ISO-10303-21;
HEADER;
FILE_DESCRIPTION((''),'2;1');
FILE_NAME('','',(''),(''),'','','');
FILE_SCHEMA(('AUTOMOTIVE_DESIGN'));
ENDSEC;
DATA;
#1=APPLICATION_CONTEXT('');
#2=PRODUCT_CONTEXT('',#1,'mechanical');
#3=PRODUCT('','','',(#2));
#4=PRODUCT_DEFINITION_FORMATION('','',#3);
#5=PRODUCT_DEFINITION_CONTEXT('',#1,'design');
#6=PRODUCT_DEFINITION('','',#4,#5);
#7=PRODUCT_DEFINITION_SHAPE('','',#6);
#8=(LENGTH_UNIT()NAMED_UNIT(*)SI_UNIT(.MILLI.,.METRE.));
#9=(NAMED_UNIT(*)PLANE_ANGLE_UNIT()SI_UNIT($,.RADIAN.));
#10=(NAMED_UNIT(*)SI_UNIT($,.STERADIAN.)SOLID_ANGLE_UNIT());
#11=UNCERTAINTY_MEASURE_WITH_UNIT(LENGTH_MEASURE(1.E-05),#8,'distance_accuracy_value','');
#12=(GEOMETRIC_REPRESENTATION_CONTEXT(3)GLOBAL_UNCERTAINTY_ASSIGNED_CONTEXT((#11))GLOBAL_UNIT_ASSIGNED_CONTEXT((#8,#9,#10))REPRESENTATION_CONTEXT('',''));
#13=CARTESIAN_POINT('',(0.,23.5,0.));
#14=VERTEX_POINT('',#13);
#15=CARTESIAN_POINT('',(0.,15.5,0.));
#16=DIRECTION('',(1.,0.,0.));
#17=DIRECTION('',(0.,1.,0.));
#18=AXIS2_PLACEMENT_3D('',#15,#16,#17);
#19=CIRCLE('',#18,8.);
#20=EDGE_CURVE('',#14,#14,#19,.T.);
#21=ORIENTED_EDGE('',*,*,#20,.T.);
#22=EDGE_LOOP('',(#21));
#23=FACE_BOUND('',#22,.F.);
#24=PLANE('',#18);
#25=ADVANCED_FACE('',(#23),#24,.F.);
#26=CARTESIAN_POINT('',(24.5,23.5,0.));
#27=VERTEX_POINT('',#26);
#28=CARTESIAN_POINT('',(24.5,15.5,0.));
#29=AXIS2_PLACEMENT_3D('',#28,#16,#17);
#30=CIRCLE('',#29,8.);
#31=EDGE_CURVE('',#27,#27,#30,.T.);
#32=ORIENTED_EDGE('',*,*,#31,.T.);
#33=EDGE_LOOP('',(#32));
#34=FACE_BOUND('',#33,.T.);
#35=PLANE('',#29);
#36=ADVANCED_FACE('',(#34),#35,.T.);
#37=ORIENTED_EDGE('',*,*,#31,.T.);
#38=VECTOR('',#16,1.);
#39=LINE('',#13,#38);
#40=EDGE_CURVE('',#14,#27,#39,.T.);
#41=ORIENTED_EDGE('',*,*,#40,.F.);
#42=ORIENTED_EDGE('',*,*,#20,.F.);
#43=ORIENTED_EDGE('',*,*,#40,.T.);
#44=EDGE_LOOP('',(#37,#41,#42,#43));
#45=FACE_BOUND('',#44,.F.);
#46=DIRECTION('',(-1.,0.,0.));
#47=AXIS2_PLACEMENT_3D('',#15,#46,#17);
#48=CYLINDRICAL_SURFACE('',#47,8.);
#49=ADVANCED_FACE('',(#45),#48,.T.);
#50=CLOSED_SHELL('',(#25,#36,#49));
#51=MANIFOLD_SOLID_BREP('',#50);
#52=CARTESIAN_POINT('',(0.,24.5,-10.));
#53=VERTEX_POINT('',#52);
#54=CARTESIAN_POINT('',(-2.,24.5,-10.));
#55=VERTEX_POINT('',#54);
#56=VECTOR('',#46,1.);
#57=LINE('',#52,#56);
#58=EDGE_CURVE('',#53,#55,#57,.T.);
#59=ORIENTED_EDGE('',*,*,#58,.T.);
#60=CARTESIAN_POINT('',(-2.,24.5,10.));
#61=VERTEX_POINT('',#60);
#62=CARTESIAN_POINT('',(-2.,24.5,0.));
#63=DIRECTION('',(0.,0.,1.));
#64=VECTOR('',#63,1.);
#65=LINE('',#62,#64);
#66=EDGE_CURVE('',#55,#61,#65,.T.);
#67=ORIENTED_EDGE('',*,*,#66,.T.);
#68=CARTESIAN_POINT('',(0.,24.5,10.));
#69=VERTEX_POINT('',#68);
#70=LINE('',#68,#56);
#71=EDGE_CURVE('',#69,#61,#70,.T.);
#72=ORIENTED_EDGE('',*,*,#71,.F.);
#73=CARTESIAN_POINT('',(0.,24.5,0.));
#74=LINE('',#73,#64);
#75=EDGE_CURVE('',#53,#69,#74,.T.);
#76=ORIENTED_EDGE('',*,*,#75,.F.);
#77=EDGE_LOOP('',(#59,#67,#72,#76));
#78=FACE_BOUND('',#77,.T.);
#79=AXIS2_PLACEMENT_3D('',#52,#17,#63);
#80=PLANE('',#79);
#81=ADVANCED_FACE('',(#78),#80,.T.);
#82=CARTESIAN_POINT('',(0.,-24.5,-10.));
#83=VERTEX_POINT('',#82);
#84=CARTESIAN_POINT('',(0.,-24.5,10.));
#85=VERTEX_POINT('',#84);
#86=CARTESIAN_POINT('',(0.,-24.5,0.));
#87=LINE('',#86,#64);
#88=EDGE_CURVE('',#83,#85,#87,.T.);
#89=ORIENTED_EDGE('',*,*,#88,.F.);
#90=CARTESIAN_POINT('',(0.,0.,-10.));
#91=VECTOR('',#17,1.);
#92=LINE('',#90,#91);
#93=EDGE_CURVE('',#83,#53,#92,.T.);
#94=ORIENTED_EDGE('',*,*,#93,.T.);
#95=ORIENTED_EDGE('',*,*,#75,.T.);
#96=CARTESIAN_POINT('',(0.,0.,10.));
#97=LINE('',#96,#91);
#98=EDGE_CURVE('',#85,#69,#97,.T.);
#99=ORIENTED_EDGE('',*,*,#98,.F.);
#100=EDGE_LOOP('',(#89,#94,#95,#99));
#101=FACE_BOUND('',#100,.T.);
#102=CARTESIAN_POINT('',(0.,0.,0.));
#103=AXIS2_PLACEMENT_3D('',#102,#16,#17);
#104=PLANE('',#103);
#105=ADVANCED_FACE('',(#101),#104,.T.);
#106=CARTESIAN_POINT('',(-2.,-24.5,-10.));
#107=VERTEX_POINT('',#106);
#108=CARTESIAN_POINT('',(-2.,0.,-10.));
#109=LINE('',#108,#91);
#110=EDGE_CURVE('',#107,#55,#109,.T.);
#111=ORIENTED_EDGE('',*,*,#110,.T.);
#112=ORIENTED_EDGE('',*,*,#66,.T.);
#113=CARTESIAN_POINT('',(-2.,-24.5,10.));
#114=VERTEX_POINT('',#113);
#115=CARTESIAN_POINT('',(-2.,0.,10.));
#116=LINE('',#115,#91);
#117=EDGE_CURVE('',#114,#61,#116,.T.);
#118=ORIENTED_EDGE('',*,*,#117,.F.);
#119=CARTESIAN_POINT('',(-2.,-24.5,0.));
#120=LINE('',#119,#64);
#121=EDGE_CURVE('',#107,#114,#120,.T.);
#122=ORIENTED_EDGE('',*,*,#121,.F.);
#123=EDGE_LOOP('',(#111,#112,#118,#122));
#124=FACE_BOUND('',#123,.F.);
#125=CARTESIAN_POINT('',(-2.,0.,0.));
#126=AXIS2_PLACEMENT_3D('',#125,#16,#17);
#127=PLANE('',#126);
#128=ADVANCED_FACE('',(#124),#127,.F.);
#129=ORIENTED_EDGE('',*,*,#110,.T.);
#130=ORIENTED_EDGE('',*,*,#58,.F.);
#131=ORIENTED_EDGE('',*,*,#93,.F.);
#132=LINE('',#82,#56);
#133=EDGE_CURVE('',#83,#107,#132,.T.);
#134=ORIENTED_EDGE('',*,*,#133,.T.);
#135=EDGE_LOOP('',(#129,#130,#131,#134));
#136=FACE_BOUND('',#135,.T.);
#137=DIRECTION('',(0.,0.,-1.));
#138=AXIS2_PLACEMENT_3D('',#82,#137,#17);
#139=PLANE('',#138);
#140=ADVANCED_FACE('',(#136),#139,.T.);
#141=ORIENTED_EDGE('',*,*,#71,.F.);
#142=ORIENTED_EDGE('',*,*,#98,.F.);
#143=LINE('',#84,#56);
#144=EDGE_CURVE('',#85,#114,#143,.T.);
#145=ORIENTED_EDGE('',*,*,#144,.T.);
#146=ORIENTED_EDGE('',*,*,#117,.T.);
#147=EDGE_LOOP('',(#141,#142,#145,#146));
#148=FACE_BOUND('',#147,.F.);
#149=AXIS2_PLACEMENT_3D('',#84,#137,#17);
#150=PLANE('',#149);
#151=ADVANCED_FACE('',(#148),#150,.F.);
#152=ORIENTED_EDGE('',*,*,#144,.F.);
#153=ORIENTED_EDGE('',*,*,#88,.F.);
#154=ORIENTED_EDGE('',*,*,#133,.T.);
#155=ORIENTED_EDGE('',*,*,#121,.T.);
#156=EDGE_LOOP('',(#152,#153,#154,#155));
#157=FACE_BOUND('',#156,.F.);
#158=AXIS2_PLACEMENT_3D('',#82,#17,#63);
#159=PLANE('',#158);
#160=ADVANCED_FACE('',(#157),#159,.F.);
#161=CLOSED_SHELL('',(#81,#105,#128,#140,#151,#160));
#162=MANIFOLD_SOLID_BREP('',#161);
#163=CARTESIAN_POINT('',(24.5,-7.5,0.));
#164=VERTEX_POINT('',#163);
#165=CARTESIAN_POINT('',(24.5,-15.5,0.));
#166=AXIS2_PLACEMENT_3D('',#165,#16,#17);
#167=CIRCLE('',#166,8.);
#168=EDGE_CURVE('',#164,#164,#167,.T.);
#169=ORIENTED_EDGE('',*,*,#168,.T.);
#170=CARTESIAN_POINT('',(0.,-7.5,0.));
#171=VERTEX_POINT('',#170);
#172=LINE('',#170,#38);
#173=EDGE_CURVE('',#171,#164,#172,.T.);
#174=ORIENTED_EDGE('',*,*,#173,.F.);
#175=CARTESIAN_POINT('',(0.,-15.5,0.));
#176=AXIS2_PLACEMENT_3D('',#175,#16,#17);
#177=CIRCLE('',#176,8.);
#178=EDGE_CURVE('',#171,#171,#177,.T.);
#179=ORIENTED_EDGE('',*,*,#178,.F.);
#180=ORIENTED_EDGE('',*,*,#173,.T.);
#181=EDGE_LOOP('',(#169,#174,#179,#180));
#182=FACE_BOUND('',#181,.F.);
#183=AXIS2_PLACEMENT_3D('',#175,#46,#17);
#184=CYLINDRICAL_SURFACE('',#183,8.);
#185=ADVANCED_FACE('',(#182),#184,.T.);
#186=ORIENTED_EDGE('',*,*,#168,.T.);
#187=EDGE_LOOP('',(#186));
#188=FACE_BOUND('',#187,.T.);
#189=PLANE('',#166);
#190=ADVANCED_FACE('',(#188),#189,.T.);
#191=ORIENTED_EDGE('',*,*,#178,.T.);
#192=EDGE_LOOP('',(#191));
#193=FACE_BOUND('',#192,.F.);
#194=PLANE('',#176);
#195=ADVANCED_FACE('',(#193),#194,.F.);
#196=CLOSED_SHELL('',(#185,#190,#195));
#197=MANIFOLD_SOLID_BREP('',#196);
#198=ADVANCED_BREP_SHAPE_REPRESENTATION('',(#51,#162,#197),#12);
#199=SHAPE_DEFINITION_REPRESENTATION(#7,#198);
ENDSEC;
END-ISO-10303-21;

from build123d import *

# Parameters (mm, degrees)
F0_R     = 8
F1_DEPTH = 24.5
F2_W     = 49
F2_H     = 20
F3_DEPTH = 2


with BuildPart() as f1:
    # F0 (on Right) → F1 (new body)
    with BuildSketch(Plane.YZ):
        with Locations((-15.5, 0)):
            Circle(F0_R)
        with Locations((15.5, 0)):
            Circle(F0_R)
    extrude(amount=F1_DEPTH)


with BuildPart() as f3:
    # F2 (on Right) → F3 (new body)
    with BuildSketch(Plane.YZ):
        Rectangle(F2_W, F2_H)
    extrude(amount=-F3_DEPTH)


solid = Compound([f1.part, f3.part])
